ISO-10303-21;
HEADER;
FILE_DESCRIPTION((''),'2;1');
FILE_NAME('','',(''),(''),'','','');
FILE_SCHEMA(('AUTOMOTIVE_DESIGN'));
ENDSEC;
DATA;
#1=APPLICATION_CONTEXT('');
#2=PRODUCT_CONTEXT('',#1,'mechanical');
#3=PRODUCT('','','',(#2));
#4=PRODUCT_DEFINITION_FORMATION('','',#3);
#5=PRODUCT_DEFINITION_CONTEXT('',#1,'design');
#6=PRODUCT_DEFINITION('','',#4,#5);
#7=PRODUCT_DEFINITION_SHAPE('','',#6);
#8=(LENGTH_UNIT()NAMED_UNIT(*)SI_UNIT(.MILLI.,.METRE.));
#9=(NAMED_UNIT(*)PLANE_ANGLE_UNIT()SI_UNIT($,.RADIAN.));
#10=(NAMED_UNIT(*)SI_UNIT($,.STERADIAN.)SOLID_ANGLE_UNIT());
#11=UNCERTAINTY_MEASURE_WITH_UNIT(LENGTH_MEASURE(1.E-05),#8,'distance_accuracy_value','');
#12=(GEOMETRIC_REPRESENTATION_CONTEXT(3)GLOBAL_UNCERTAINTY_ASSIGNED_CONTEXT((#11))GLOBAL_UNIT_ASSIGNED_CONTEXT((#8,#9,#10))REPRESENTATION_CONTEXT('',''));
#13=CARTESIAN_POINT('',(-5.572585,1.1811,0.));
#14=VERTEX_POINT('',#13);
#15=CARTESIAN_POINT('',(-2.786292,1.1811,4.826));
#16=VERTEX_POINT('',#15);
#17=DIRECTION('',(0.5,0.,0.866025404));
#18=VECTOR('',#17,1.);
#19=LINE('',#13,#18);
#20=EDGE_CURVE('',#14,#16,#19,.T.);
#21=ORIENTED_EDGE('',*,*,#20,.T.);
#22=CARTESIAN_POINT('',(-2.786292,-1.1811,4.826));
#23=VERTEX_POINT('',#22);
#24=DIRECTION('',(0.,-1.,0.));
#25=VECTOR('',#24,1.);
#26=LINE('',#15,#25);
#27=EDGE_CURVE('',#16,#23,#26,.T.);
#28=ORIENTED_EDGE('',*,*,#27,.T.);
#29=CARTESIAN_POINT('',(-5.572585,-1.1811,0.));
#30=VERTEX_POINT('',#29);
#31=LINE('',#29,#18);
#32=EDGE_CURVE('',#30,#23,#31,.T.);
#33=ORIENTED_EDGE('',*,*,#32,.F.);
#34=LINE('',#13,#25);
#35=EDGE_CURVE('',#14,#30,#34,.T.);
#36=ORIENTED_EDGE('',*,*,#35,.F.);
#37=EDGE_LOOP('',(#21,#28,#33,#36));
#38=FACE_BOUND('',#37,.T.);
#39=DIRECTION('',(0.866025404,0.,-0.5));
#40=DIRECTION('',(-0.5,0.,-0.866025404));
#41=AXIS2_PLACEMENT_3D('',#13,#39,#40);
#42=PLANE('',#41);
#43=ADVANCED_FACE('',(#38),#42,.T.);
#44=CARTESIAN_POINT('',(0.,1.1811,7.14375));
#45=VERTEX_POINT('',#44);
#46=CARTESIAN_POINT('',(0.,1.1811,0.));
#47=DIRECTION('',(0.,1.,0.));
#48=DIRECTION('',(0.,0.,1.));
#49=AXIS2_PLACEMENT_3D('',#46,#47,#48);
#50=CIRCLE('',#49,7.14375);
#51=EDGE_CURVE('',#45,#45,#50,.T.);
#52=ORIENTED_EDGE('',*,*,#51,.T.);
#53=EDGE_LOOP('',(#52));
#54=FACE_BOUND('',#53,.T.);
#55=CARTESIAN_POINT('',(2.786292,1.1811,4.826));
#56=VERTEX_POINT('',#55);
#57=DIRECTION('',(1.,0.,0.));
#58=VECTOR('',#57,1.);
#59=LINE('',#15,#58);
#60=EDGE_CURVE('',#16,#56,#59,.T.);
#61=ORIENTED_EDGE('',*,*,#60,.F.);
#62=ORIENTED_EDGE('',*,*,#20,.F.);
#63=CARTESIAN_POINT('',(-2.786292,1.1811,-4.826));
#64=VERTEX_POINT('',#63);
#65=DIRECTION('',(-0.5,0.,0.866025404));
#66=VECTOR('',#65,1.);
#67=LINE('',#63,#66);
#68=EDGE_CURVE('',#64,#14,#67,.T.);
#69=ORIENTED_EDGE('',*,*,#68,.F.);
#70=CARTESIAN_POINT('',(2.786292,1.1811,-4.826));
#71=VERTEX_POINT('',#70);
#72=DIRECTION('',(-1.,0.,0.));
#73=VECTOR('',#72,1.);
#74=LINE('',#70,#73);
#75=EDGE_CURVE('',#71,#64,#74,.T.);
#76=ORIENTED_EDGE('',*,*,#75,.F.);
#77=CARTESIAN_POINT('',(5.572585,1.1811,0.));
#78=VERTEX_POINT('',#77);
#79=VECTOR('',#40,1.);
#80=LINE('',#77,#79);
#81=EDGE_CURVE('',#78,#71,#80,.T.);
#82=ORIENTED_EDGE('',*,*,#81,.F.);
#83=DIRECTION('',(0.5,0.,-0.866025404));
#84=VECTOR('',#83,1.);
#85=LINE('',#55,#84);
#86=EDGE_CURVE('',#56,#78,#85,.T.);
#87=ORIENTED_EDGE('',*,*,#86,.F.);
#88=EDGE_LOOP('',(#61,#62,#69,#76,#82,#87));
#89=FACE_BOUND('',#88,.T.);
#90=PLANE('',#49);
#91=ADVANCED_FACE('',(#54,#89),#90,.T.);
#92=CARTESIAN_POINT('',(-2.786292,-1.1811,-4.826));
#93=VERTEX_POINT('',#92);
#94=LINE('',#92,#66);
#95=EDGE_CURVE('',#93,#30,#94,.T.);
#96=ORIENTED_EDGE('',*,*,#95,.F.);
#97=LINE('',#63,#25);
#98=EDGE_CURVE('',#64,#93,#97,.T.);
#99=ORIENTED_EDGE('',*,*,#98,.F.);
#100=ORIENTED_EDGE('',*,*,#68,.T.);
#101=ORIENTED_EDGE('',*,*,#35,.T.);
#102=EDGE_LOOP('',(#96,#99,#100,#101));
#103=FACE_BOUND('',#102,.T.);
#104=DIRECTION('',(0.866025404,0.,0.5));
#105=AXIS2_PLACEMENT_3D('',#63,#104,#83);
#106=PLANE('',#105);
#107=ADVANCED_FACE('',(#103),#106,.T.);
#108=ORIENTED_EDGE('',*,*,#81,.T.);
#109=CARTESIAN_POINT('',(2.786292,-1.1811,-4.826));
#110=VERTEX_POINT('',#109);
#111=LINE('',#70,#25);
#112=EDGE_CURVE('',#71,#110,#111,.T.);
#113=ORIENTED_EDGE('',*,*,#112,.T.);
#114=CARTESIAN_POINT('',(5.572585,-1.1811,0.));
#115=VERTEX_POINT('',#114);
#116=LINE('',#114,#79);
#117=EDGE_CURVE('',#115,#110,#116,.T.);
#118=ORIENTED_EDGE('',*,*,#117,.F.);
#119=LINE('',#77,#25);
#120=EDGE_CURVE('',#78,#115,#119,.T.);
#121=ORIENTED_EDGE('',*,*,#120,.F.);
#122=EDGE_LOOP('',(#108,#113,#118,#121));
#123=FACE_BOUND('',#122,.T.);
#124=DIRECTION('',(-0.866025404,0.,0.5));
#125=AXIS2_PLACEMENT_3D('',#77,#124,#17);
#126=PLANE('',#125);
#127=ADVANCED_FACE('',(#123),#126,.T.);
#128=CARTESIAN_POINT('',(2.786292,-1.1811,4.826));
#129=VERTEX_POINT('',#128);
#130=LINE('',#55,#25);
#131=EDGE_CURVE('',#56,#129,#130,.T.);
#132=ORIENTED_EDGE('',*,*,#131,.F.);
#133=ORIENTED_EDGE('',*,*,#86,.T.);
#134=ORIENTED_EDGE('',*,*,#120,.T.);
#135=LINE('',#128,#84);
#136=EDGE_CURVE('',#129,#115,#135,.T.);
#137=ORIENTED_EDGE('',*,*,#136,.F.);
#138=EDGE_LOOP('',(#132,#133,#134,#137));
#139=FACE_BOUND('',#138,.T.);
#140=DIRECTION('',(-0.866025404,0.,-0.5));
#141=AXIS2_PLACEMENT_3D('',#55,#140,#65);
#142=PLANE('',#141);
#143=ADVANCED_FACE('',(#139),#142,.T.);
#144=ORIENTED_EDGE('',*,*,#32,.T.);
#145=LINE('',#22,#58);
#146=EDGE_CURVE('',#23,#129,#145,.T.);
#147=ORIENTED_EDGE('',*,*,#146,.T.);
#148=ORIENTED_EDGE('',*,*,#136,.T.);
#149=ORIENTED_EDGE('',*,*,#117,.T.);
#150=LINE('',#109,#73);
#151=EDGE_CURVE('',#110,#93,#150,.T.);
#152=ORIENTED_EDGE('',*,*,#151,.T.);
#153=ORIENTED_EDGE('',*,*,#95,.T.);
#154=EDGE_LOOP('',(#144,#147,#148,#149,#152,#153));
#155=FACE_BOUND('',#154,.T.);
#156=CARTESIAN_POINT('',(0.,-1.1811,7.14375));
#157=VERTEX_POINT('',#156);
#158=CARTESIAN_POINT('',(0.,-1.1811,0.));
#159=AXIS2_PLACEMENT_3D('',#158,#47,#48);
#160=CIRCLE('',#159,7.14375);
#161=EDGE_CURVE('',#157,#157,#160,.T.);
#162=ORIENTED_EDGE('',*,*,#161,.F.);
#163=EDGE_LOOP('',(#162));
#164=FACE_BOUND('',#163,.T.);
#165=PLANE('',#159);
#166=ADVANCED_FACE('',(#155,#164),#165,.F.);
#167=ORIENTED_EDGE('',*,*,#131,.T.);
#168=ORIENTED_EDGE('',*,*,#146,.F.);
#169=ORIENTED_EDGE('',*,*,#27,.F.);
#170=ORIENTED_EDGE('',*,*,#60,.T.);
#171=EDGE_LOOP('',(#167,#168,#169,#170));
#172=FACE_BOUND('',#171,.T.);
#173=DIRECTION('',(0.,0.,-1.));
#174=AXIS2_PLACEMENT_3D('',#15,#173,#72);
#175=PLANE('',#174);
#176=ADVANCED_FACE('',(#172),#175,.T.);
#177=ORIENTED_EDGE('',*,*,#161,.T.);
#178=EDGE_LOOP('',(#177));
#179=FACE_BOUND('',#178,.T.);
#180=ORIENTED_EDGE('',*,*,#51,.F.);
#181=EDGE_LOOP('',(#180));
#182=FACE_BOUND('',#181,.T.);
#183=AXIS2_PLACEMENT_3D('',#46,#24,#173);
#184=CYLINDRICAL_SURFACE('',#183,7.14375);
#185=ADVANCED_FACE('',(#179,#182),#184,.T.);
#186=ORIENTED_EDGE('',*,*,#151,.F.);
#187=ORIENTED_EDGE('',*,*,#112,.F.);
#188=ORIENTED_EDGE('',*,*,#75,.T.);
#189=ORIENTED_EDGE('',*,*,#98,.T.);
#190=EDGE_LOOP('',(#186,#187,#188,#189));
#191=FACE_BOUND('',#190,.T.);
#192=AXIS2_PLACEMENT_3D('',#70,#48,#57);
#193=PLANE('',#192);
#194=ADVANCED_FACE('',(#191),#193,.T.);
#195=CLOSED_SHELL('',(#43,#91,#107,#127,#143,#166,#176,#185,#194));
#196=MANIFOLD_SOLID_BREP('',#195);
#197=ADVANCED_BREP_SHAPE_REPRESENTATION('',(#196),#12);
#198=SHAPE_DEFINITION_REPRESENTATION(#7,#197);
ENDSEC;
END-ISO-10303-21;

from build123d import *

# Parameters (mm, degrees)
SKETCH1_R           = 7.14375
BOSS_EXTRUDE1_DEPTH = 1.1811


with BuildPart() as part:
    # Sketch1 → Boss-Extrude1 (new, symmetric)
    with BuildSketch(Plane(origin=(0, 0, 0), x_dir=(1, 0, 0), z_dir=(0, 1, 0))):
        with Locations(Location((0, 0, 0), (0, 0, 270))):
            Circle(SKETCH1_R)
        Polygon((2.786292399, -4.826), (5.572584798, 0), (2.786292399, 4.826), (-2.786292399, 4.826), (-5.572584798, 0), (-2.786292399, -4.826), align=None, mode=Mode.SUBTRACT)
    extrude(amount=BOSS_EXTRUDE1_DEPTH, both=True)


solid = part.part
